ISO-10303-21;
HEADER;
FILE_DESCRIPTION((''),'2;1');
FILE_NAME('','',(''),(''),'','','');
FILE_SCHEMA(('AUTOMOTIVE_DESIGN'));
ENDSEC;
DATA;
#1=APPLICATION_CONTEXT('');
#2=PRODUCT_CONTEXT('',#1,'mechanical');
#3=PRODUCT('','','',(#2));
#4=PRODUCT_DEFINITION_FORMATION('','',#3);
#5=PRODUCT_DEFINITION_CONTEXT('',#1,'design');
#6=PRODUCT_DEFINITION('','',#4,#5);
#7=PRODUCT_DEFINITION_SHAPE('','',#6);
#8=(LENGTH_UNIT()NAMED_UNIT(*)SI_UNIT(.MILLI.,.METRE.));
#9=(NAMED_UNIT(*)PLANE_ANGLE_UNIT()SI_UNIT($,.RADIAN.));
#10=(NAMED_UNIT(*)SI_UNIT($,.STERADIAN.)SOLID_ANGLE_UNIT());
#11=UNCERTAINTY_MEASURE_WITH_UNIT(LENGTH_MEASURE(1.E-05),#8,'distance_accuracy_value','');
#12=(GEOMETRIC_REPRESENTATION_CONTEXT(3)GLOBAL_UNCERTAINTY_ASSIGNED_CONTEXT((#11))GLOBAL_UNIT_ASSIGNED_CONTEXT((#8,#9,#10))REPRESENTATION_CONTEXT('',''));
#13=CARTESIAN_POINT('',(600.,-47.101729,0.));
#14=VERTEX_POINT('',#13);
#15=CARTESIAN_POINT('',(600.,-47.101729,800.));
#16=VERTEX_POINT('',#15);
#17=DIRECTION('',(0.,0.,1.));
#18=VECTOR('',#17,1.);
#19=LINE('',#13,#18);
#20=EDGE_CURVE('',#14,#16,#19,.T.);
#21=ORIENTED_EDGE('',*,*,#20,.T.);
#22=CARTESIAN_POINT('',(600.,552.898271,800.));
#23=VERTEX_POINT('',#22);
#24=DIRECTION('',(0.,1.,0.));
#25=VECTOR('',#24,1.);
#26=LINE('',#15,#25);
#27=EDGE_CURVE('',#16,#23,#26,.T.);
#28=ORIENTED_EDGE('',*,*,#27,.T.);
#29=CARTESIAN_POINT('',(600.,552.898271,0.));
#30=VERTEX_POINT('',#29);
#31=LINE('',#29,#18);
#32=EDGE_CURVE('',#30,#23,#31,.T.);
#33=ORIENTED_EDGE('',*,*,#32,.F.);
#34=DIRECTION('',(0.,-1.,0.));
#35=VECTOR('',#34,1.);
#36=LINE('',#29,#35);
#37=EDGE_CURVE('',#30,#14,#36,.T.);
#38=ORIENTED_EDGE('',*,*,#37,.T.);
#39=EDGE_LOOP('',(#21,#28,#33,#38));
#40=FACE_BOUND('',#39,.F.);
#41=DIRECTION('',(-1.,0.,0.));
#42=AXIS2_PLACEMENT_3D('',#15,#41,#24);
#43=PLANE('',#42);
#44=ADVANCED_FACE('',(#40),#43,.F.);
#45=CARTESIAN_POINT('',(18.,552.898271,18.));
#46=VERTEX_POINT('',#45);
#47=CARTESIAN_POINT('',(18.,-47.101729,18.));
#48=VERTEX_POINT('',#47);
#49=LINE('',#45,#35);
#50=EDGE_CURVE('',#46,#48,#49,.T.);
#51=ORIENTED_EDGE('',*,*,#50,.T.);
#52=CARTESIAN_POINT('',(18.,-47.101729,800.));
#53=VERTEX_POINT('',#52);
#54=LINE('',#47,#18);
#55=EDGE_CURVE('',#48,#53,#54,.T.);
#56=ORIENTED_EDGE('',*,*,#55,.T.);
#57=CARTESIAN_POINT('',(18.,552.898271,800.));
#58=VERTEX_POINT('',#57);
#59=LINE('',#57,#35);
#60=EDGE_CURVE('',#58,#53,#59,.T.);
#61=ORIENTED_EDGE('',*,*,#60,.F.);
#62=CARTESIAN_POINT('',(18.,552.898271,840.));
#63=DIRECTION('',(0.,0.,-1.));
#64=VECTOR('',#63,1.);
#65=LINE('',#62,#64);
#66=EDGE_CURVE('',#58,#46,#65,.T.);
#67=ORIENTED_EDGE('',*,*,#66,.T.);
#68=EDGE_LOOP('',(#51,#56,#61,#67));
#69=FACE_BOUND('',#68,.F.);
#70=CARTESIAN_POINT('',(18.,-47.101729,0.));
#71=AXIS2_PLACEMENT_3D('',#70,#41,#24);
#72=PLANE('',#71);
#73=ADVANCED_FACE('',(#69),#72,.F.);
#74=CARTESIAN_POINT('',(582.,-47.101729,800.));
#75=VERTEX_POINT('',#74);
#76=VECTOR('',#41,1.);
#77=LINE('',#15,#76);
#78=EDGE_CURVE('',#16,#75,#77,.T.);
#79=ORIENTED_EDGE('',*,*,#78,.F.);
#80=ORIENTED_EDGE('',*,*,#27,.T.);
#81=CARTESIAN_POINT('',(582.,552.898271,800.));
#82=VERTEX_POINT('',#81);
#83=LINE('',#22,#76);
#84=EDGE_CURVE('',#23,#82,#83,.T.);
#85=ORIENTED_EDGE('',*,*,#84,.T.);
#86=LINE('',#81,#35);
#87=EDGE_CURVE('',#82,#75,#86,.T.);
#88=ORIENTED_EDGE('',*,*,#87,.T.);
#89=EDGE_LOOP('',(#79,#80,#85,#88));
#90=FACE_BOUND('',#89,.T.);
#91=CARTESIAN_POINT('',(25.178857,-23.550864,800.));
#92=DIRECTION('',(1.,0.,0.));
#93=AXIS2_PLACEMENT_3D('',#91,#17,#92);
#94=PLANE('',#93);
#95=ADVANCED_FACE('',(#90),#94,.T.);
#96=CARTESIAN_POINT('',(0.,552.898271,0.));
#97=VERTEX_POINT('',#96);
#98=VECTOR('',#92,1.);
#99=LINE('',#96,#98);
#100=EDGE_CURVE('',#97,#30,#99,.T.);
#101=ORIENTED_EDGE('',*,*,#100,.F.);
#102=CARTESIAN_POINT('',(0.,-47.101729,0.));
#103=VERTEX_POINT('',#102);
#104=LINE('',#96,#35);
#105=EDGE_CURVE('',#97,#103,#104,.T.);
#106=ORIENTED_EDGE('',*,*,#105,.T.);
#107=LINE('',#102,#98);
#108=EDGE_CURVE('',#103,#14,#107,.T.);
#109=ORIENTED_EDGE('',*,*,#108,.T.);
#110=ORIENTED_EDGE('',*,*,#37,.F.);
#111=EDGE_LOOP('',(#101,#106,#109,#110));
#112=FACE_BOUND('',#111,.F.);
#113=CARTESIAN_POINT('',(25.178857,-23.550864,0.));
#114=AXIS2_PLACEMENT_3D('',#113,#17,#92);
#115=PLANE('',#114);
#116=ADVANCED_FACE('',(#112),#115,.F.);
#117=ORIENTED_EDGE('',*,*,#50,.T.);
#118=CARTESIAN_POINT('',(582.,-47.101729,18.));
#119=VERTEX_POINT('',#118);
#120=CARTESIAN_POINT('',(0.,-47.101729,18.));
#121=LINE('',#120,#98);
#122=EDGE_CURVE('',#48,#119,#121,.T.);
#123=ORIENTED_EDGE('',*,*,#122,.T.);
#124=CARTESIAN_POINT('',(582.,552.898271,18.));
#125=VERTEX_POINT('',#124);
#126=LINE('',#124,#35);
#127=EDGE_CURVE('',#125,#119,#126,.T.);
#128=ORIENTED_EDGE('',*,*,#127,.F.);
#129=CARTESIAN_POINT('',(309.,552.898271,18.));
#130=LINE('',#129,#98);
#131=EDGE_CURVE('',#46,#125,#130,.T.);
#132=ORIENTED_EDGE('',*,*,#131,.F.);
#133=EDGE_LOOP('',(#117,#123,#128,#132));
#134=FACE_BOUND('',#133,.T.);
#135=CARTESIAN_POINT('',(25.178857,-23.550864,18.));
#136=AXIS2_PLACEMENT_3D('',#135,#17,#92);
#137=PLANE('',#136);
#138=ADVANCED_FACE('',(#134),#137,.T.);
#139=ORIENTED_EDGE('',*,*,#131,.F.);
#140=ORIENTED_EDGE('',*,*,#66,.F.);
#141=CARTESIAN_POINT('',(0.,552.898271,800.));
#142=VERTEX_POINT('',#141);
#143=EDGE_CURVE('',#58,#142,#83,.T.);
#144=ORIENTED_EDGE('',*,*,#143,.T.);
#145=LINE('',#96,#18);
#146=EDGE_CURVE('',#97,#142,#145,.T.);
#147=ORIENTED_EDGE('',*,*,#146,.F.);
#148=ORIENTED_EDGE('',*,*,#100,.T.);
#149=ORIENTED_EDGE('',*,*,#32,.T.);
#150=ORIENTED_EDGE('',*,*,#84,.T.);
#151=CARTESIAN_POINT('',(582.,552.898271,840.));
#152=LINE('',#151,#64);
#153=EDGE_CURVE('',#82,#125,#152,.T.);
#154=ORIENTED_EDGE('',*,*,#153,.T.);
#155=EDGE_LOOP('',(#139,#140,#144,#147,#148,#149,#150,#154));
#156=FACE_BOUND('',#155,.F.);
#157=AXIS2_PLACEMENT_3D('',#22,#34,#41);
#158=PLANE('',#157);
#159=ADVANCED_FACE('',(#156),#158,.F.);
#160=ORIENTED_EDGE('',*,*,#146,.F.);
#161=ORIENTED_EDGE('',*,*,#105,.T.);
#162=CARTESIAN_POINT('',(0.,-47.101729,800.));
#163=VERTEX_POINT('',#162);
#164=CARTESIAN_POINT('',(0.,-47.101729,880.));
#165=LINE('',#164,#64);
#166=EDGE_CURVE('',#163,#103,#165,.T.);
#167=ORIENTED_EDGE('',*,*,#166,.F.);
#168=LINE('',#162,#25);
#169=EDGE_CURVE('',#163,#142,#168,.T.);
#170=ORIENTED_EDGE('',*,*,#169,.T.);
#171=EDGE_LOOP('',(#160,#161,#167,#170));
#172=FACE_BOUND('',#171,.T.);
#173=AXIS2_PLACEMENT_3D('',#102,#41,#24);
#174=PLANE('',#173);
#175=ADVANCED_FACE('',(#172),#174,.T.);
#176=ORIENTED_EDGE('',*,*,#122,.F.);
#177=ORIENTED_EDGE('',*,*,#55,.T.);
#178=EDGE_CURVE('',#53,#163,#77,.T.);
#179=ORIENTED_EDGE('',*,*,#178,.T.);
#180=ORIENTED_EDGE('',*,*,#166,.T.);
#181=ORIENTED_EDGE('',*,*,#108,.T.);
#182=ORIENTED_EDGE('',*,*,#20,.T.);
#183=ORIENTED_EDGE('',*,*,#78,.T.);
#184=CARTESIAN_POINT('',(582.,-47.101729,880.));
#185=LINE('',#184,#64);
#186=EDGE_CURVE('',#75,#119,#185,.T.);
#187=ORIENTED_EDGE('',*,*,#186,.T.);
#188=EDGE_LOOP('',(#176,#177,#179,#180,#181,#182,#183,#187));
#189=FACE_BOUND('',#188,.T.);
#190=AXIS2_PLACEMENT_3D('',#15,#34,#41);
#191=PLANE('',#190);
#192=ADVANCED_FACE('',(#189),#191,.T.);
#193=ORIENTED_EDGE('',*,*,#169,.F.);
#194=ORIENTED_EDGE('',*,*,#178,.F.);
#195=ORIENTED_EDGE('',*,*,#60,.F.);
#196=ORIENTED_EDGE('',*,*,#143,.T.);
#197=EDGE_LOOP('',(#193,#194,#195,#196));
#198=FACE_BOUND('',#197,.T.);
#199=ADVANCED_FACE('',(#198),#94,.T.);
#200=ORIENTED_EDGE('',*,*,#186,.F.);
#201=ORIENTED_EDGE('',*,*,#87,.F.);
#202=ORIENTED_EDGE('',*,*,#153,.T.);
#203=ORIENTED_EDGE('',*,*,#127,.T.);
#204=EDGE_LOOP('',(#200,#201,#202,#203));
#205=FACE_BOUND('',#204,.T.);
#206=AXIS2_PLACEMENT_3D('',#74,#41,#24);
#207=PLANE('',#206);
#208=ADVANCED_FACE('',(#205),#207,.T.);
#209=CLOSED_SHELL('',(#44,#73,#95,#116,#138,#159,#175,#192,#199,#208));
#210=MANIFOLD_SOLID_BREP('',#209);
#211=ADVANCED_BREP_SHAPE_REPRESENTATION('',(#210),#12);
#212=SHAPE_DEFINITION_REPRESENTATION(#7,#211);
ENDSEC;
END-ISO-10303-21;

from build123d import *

# Parameters (mm, degrees)
F0_W     = 50.3577142954
F0_H     = 47.1017286181
F1_DEPTH = 800
F2_DEPTH = 600
F3_DEPTH = 600
F4_T     = -18
F5_DEPTH = 80
F6_DEPTH = 25
F7_DEPTH = 80


with BuildPart() as f1:
    # F0 (on Top) → F1 (new body)
    with BuildSketch(Plane.XY):
        with Locations((25.1788571477, -23.5508643091)):
            Rectangle(F0_W, F0_H)
    extrude(amount=F1_DEPTH)

    # F2 (add): a face of the model
    f2_faces = [f1.faces().sort_by_distance(p)[0] for p in [
        (0, -23.5508643091, 400),
    ]]
    extrude(f2_faces, amount=-F2_DEPTH)

    # F3 (add): a face of the model
    f3_faces = [f1.faces().sort_by_distance(p)[0] for p in [
        (300, -47.1017286181, 400),
    ]]
    extrude(f3_faces, amount=-F3_DEPTH)

    # F4
    f4_openings = [f1.faces().sort_by_distance(p)[0] for p in [
        (300, 252.898271, 800),
        (300, -47.101729, 400),
    ]]
    offset(amount=F4_T, openings=f4_openings)

    # F5 (add): a face of the model
    f5_faces = [f1.faces().sort_by_distance(p)[0] for p in [
        (9, -38.6164472439, 800),
    ]]
    extrude(f5_faces, amount=F5_DEPTH)

    # F6 (cut): a face of the model
    f6_faces = [f1.faces().sort_by_distance(p)[0] for p in [
        (300, 534.8982713819, 449),
    ]]
    extrude(f6_faces, amount=-F6_DEPTH, mode=Mode.SUBTRACT)

    # F7 (cut): faces of the model
    f7_faces = [f1.faces().sort_by_distance(p)[0] for p in [
        (591, 252.8982713819, 880),
        (9, 252.8982713819, 880),
    ]]
    extrude(f7_faces, amount=-F7_DEPTH, mode=Mode.SUBTRACT)


solid = f1.part
